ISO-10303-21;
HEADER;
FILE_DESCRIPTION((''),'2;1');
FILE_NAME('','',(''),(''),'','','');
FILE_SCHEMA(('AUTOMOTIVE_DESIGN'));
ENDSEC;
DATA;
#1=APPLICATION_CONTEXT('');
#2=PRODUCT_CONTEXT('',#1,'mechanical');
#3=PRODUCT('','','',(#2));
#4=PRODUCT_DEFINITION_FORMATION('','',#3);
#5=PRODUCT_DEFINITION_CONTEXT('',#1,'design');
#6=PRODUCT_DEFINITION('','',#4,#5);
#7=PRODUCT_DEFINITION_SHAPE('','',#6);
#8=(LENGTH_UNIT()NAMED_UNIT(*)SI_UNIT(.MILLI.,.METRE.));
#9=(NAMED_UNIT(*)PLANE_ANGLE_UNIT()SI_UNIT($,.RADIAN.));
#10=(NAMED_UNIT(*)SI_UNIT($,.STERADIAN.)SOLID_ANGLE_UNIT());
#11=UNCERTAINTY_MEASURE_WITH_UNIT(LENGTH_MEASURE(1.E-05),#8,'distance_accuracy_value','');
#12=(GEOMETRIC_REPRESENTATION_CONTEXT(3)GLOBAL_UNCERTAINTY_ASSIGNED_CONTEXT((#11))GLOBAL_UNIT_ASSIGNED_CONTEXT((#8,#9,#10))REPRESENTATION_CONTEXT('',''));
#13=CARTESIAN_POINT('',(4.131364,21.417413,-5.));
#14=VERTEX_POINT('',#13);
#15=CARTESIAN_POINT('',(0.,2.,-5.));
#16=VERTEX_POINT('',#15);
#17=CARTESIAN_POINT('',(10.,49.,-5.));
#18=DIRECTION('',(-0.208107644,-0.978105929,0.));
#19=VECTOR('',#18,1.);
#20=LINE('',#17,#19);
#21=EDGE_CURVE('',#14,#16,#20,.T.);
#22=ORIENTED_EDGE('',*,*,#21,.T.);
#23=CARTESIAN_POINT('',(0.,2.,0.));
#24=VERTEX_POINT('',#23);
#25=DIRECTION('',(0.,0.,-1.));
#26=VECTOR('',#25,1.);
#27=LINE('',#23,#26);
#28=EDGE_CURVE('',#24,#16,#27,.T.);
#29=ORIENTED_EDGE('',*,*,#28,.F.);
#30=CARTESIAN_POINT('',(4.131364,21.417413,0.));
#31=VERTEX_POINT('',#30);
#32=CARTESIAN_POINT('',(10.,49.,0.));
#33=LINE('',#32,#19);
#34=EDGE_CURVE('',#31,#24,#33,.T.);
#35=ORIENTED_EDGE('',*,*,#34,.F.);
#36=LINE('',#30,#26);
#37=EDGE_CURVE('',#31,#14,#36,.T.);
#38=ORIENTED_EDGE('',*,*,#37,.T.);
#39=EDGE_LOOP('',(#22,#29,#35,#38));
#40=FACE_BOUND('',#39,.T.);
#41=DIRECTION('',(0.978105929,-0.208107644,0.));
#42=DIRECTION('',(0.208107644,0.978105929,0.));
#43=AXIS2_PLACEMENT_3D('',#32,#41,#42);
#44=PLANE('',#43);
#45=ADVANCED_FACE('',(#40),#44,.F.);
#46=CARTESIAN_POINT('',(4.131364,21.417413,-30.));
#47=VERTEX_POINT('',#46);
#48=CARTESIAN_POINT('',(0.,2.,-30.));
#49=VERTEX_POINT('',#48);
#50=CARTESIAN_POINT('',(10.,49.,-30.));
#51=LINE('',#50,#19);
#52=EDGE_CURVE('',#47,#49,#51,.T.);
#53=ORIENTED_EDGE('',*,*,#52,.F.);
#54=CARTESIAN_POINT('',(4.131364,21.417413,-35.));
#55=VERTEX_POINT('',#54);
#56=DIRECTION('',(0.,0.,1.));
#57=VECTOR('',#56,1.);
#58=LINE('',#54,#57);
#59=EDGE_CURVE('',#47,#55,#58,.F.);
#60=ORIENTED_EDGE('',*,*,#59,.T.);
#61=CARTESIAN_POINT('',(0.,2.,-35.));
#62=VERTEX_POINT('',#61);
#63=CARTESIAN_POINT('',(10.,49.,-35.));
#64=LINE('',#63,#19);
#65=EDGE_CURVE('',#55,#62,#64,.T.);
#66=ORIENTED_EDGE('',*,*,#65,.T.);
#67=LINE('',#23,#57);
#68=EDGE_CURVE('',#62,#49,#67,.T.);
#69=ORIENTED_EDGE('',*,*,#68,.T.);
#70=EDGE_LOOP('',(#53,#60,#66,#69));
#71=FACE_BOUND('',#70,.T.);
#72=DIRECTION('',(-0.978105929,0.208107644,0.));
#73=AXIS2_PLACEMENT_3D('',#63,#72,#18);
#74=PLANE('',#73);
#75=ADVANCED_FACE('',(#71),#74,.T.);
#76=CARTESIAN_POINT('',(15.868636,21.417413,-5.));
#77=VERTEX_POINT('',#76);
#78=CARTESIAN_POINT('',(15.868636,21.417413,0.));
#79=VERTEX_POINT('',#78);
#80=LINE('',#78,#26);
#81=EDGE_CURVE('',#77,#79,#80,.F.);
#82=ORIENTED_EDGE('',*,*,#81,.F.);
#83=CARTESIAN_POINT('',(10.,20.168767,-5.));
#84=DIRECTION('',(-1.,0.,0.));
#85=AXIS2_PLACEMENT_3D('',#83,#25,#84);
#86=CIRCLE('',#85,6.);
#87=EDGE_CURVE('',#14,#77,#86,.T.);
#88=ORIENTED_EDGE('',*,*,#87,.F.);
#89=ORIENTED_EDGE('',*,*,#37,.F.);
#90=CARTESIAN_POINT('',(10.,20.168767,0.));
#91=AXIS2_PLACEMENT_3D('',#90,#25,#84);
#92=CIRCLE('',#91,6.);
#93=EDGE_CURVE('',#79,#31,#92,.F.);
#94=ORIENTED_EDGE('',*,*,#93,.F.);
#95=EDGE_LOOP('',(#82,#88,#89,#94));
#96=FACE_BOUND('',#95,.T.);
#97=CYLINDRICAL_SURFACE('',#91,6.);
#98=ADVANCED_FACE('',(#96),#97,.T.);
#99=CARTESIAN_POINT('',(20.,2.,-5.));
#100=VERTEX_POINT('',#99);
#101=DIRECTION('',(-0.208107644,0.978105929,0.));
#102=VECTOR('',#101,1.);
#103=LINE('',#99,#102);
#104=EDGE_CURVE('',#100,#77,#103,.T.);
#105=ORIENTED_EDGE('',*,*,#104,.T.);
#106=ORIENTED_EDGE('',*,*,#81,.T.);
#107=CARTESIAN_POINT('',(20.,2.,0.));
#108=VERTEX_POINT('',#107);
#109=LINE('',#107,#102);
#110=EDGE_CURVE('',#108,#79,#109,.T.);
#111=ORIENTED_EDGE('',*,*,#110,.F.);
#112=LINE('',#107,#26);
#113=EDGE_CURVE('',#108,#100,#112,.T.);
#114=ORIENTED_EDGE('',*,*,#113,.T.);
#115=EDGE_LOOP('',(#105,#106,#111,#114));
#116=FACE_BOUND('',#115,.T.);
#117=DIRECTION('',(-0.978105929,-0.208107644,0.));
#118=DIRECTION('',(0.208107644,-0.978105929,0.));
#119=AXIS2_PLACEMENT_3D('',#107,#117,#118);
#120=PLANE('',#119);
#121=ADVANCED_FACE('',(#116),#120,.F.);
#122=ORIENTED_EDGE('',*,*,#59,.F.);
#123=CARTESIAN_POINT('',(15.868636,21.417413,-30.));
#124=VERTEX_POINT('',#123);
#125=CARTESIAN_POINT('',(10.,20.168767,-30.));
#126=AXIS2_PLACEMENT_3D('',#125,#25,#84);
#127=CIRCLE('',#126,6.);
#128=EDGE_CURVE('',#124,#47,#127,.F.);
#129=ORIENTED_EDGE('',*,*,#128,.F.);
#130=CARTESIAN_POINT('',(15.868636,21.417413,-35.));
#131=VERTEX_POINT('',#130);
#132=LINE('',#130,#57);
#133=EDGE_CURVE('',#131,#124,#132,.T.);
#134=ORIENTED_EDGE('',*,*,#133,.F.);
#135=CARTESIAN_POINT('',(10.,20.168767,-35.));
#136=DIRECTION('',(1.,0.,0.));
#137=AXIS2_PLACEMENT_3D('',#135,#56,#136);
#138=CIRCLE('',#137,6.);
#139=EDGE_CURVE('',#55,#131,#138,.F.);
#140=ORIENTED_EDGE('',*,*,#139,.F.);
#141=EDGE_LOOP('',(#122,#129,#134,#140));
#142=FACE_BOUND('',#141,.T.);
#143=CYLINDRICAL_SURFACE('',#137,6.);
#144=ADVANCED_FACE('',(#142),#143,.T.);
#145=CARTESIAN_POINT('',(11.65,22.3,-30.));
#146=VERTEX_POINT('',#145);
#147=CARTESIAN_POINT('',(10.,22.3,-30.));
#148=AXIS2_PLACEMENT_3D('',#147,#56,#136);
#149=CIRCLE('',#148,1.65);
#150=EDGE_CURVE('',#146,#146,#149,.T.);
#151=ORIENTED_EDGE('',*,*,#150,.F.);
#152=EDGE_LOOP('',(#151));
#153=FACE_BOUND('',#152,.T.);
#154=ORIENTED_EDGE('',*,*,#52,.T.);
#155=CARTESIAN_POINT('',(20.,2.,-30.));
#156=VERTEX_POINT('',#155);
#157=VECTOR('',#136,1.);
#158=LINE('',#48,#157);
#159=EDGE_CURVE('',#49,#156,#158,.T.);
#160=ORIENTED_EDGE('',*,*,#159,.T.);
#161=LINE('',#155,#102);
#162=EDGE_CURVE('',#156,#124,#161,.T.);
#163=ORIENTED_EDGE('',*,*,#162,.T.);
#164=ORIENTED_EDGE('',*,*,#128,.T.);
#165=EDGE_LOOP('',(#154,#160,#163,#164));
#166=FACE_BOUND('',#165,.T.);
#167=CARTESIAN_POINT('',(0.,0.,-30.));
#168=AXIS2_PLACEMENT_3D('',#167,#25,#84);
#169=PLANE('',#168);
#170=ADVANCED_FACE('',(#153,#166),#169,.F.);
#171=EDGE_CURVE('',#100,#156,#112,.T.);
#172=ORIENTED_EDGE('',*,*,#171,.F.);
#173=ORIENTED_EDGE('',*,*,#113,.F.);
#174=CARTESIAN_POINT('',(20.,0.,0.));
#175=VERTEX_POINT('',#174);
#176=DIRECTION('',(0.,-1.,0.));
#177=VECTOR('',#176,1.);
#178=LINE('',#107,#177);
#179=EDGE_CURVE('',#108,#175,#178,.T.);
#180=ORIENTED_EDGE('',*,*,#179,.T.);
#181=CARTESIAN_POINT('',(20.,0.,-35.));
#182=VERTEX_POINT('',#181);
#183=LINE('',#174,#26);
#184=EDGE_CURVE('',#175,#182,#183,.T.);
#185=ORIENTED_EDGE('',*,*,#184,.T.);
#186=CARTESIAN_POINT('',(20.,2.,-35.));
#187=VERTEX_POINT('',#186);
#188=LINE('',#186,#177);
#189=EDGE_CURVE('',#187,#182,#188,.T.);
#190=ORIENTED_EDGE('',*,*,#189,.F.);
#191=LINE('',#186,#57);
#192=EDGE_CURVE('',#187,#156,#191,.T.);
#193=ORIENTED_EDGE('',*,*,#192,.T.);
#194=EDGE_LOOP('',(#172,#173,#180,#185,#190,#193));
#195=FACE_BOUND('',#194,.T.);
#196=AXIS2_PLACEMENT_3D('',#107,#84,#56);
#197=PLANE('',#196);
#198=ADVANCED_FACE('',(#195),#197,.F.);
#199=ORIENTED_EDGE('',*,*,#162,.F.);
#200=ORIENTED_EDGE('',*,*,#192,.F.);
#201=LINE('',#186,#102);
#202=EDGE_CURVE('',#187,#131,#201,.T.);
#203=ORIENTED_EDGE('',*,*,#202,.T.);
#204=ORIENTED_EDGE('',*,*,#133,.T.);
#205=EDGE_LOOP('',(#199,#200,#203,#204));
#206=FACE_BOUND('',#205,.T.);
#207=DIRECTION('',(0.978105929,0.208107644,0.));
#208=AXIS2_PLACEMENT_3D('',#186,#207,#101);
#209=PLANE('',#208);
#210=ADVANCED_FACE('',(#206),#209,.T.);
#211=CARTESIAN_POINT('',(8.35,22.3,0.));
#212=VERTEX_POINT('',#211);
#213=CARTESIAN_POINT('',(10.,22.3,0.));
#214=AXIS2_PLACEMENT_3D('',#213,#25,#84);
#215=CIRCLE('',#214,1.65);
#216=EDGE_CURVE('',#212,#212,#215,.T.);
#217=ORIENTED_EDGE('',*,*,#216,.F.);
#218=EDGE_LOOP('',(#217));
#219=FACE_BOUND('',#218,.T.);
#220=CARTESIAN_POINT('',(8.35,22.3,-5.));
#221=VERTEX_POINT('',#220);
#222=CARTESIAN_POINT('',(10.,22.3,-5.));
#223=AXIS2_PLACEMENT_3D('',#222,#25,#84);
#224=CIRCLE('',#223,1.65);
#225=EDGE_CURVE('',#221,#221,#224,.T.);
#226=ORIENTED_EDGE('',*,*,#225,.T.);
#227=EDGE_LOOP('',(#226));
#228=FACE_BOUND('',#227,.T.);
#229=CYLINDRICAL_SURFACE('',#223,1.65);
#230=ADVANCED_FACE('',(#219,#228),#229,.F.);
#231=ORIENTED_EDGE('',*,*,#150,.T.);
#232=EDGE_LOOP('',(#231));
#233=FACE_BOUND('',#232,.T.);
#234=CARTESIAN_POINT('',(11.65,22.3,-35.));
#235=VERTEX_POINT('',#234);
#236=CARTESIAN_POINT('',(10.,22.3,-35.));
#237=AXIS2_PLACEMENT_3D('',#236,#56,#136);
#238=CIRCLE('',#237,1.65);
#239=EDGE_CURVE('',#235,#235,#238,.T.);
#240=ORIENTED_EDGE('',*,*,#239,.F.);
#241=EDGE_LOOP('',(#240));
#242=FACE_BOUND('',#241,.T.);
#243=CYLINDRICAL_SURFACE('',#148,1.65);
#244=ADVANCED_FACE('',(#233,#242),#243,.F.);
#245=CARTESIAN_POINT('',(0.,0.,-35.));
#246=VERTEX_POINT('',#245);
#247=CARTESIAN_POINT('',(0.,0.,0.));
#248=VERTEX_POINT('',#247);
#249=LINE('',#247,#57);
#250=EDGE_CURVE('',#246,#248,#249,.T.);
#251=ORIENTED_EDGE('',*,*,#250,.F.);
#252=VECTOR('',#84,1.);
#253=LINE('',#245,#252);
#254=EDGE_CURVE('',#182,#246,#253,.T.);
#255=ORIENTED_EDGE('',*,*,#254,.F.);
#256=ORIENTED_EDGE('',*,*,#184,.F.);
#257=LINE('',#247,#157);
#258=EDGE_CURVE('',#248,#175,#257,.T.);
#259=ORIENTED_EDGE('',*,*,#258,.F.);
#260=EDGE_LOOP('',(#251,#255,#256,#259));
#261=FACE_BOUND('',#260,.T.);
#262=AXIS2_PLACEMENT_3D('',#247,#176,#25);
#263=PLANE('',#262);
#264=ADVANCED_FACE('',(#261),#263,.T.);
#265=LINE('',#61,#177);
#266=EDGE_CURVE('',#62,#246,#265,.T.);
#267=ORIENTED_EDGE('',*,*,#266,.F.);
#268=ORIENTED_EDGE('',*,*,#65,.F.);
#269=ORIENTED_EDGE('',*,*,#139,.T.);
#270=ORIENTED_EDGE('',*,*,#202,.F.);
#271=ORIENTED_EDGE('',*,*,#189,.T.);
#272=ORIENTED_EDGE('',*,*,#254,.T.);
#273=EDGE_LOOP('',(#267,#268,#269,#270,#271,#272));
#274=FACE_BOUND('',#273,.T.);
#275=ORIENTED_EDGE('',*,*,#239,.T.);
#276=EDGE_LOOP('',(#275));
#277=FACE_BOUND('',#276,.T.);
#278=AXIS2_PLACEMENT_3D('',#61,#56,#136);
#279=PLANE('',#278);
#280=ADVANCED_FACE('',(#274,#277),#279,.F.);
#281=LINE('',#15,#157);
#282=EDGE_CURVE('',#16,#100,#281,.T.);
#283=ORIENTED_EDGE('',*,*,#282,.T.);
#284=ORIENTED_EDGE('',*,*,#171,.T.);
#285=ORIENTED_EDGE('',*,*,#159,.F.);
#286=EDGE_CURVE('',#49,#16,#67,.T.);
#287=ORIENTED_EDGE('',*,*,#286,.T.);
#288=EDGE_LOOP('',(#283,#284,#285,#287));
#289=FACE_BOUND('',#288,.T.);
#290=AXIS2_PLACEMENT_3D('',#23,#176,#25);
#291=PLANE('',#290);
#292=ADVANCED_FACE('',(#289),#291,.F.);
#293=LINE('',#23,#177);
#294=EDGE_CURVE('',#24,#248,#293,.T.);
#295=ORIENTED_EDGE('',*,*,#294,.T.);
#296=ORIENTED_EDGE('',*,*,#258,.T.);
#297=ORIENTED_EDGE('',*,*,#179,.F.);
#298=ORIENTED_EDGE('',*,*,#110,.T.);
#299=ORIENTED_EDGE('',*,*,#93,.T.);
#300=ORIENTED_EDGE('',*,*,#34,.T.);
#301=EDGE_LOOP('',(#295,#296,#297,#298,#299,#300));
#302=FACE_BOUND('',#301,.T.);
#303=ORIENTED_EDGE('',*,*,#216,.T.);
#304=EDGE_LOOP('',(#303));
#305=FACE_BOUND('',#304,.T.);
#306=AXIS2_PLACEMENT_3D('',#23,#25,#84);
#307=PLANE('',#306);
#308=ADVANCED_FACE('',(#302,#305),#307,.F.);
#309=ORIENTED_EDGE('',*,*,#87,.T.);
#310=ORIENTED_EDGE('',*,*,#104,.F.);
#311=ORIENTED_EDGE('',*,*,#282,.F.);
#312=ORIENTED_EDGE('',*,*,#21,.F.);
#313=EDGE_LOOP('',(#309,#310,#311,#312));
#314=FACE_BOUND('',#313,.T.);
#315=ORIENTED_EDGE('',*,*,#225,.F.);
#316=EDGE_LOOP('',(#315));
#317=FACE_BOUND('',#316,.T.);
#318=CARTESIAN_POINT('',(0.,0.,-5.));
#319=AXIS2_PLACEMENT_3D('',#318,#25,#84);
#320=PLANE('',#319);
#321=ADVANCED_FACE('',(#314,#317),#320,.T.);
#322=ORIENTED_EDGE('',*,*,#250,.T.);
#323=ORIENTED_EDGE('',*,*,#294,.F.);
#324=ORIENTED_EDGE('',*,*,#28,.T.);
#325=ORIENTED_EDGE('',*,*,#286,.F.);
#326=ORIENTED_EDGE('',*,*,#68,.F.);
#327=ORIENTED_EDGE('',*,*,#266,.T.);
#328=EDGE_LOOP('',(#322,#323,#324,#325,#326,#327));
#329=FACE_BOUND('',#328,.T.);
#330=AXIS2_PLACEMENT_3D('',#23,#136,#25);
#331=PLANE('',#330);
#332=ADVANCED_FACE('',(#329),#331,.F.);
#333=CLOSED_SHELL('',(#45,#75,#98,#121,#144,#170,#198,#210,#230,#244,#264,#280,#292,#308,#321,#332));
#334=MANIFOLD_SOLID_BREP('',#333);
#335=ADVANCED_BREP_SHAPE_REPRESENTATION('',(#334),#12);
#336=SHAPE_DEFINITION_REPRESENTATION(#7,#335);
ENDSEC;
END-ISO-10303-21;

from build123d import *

# Parameters (mm, degrees)
SKETCH2_W                       = 20
SKETCH2_H                       = 35
BOSS_EXTRUDE2_DEPTH             = 2
BOSS_EXTRUDE5_DEPTH             = 5
BOSS_EXTRUDE6_DEPTH             = 5
FILLET1_R                       = 6
PREFORO_DA_MASCHIARE_M4_1_D     = 3.3
PREFORO_DA_MASCHIARE_M4_1_DEPTH = 5.000103078
PREFORO_DA_MASCHIARE_M4_2_D     = 3.3


with BuildPart() as part:
    # Sketch2 → Boss-Extrude2 (new body)
    with BuildSketch(Plane(origin=(0, 0, 0), x_dir=(1, 0, 0), z_dir=(0, 1, 0))):
        with Locations((10, 17.5)):
            Rectangle(SKETCH2_W, SKETCH2_H)
    extrude(amount=BOSS_EXTRUDE2_DEPTH)

    # 3DSketch3 → Boss-Extrude5 (add)
    with BuildSketch(Plane(origin=(10, 49, 0), x_dir=(-0.20810764446485872, -0.9781059289848355, 0), z_dir=(0, 0, 1))):
        Polygon((0, 0), (48.052055107, 0), (43.889902218, 19.56211858), align=None)
    extrude(amount=-BOSS_EXTRUDE5_DEPTH)

    # 3DSketch4 → Boss-Extrude6 (add)
    with BuildSketch(Plane(origin=(10, 2, -35), x_dir=(0, 1, 0), z_dir=(0, 0, 1))):
        Polygon((47, 0), (0, 10), (0, -10), align=None)
    extrude(amount=BOSS_EXTRUDE6_DEPTH)

    # Fillet1
    fillet1_edges = [part.edges().sort_by_distance(p)[0] for p in [
        (10, 49, -2.5),
        (10, 49, -32.5),
    ]]
    fillet(fillet1_edges, radius=FILLET1_R)

    # Preforo da maschiare M4-1
    with Locations(Plane.XY.offset(-30)):
        with Locations((10, 22.3)):
            Hole(PREFORO_DA_MASCHIARE_M4_1_D / 2, depth=PREFORO_DA_MASCHIARE_M4_1_DEPTH)

    # Preforo da maschiare M4-2 (through all)
    with Locations(Plane(origin=(0, 0, -5), x_dir=(-1, 0, 0), z_dir=(0, 0, -1))):
        with Locations((-10, 22.3)):
            Hole(PREFORO_DA_MASCHIARE_M4_2_D / 2)


solid = part.part
